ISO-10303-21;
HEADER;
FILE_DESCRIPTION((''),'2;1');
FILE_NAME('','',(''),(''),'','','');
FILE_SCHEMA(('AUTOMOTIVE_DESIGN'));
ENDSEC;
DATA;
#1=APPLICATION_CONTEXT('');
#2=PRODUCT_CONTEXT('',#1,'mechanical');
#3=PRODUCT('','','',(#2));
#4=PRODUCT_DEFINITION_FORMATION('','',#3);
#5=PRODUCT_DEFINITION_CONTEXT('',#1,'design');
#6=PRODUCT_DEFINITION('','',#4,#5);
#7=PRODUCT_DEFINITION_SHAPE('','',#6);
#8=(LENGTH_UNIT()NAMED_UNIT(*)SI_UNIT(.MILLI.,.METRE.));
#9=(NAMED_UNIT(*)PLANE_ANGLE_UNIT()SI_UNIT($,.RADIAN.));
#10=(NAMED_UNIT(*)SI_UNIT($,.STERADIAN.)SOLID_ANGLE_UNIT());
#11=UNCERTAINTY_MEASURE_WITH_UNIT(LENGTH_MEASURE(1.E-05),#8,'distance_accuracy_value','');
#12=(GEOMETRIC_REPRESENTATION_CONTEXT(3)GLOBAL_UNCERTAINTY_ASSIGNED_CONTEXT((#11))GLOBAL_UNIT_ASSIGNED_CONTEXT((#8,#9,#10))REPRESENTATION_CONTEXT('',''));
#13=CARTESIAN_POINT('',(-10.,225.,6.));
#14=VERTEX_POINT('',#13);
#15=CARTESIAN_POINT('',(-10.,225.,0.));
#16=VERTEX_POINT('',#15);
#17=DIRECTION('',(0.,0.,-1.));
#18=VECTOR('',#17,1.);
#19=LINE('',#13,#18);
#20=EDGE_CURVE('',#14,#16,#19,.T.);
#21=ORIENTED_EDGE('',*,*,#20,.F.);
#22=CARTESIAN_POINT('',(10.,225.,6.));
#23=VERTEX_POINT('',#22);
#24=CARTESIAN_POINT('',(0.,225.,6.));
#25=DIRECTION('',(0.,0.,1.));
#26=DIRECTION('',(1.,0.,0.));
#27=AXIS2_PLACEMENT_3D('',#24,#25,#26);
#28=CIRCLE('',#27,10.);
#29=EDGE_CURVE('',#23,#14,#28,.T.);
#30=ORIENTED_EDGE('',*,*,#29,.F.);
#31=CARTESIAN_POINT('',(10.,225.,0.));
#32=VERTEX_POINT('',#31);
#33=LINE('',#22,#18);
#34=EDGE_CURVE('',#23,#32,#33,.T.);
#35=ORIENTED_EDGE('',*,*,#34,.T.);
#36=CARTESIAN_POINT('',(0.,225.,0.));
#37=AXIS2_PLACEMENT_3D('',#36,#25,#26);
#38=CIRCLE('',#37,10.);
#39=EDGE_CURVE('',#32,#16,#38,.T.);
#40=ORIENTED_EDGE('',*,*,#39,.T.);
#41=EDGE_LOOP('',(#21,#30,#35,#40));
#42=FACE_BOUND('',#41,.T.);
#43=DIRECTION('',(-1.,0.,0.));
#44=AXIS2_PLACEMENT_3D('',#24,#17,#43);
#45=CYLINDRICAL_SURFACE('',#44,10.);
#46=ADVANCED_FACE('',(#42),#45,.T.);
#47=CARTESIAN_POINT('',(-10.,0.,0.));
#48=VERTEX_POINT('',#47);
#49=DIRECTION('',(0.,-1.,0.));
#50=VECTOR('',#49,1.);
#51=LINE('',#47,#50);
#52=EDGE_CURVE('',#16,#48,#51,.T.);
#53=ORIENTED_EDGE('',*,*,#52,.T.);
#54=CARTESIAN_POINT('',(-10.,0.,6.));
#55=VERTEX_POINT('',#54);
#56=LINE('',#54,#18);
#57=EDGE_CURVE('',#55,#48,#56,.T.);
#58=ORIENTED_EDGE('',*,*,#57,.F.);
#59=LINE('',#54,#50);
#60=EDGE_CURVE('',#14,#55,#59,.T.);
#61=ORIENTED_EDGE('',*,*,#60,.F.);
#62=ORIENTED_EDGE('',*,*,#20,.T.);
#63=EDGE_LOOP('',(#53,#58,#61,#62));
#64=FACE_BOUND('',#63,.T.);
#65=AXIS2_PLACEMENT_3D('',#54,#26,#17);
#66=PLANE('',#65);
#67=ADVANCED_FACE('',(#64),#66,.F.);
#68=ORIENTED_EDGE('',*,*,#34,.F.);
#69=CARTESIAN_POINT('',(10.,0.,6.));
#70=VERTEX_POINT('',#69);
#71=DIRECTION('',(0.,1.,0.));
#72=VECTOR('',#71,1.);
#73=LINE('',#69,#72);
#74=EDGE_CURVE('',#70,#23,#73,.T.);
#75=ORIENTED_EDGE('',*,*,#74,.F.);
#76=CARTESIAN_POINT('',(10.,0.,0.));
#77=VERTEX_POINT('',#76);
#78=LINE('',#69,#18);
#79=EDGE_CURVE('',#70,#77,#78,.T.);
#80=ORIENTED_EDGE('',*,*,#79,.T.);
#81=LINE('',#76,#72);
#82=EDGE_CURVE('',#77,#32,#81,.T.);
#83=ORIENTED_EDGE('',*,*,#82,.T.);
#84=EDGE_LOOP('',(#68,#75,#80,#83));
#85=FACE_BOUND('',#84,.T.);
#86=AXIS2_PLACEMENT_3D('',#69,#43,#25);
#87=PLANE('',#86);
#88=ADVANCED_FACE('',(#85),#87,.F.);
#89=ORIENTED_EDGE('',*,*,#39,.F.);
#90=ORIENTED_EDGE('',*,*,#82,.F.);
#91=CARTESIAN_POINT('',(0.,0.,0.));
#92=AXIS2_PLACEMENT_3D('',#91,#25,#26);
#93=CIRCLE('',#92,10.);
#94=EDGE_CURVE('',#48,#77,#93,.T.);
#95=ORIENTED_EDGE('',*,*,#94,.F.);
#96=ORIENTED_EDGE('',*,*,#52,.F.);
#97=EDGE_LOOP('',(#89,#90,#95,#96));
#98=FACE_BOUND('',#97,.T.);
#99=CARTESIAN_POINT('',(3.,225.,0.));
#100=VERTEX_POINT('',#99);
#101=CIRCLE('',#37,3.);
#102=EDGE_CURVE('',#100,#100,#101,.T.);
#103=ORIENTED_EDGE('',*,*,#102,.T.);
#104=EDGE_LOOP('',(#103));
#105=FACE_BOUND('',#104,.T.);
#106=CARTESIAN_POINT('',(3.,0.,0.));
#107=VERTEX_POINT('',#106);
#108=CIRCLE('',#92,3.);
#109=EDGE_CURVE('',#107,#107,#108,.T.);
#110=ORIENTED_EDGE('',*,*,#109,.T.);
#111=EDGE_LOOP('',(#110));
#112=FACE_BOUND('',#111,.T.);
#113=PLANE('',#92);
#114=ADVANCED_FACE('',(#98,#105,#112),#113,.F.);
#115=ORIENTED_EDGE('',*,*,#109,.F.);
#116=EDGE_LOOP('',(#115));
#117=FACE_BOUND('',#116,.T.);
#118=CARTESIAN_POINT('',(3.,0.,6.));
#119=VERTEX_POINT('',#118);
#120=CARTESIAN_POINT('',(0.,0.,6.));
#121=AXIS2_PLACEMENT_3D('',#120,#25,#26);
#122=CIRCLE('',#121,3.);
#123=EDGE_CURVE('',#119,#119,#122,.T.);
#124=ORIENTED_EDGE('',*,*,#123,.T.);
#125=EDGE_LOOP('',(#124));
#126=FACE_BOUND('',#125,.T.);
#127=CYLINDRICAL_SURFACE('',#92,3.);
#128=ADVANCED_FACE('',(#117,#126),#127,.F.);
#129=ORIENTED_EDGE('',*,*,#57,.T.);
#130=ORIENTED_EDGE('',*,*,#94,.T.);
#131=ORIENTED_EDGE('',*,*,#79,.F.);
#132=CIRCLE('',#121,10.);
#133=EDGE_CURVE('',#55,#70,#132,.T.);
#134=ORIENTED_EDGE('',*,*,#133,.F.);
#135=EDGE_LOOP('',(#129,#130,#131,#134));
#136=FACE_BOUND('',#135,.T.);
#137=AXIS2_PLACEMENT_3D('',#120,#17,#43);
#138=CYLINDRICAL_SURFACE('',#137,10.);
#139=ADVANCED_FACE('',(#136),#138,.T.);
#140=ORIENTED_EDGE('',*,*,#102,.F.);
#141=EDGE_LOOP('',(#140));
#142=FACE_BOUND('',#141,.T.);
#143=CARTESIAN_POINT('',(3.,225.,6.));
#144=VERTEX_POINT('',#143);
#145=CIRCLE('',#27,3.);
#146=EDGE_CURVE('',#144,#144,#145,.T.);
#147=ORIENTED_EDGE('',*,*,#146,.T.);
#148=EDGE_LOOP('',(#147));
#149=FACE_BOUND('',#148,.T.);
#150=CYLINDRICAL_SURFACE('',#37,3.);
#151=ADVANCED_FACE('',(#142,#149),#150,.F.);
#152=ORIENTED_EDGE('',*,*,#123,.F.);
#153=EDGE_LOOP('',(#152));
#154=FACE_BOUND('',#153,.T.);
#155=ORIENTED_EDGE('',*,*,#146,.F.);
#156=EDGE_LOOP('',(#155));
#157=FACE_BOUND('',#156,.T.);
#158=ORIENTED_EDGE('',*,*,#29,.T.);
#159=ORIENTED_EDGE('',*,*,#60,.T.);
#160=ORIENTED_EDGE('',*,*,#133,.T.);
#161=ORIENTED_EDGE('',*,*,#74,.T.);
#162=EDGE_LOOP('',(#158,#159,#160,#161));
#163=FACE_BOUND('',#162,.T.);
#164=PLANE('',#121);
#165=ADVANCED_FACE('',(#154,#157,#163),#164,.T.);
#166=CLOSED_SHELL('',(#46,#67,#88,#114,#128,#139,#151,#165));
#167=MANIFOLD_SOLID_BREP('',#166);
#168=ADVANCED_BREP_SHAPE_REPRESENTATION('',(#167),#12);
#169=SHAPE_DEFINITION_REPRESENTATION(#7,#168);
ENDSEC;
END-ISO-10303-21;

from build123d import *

# Parameters (mm, degrees)
BOSS_EXTRUDE1_DEPTH = 6
SKETCH2_R           = 3
CUT_EXTRUDE1_DEPTH  = 236.289183772


with BuildPart() as part:
    # Sketch1 → Boss-Extrude1 (new body)
    with BuildSketch(Plane.XY):
        with BuildLine():
            Line((-10, 0), (-10, 225))
            ThreePointArc((-10, 225), (0, 235), (10, 225))
            Line((10, 225), (10, 0))
            ThreePointArc((10, 0), (0, -10), (-10, 0))
        make_face()
    extrude(amount=BOSS_EXTRUDE1_DEPTH)

    # Sketch2 → Cut-Extrude1 (cut, through all)
    with BuildSketch(Plane.XY.offset(6)):
        with Locations((0, 225)):
            Circle(SKETCH2_R)
        Circle(SKETCH2_R)
    extrude(amount=-CUT_EXTRUDE1_DEPTH, mode=Mode.SUBTRACT)


solid = part.part
